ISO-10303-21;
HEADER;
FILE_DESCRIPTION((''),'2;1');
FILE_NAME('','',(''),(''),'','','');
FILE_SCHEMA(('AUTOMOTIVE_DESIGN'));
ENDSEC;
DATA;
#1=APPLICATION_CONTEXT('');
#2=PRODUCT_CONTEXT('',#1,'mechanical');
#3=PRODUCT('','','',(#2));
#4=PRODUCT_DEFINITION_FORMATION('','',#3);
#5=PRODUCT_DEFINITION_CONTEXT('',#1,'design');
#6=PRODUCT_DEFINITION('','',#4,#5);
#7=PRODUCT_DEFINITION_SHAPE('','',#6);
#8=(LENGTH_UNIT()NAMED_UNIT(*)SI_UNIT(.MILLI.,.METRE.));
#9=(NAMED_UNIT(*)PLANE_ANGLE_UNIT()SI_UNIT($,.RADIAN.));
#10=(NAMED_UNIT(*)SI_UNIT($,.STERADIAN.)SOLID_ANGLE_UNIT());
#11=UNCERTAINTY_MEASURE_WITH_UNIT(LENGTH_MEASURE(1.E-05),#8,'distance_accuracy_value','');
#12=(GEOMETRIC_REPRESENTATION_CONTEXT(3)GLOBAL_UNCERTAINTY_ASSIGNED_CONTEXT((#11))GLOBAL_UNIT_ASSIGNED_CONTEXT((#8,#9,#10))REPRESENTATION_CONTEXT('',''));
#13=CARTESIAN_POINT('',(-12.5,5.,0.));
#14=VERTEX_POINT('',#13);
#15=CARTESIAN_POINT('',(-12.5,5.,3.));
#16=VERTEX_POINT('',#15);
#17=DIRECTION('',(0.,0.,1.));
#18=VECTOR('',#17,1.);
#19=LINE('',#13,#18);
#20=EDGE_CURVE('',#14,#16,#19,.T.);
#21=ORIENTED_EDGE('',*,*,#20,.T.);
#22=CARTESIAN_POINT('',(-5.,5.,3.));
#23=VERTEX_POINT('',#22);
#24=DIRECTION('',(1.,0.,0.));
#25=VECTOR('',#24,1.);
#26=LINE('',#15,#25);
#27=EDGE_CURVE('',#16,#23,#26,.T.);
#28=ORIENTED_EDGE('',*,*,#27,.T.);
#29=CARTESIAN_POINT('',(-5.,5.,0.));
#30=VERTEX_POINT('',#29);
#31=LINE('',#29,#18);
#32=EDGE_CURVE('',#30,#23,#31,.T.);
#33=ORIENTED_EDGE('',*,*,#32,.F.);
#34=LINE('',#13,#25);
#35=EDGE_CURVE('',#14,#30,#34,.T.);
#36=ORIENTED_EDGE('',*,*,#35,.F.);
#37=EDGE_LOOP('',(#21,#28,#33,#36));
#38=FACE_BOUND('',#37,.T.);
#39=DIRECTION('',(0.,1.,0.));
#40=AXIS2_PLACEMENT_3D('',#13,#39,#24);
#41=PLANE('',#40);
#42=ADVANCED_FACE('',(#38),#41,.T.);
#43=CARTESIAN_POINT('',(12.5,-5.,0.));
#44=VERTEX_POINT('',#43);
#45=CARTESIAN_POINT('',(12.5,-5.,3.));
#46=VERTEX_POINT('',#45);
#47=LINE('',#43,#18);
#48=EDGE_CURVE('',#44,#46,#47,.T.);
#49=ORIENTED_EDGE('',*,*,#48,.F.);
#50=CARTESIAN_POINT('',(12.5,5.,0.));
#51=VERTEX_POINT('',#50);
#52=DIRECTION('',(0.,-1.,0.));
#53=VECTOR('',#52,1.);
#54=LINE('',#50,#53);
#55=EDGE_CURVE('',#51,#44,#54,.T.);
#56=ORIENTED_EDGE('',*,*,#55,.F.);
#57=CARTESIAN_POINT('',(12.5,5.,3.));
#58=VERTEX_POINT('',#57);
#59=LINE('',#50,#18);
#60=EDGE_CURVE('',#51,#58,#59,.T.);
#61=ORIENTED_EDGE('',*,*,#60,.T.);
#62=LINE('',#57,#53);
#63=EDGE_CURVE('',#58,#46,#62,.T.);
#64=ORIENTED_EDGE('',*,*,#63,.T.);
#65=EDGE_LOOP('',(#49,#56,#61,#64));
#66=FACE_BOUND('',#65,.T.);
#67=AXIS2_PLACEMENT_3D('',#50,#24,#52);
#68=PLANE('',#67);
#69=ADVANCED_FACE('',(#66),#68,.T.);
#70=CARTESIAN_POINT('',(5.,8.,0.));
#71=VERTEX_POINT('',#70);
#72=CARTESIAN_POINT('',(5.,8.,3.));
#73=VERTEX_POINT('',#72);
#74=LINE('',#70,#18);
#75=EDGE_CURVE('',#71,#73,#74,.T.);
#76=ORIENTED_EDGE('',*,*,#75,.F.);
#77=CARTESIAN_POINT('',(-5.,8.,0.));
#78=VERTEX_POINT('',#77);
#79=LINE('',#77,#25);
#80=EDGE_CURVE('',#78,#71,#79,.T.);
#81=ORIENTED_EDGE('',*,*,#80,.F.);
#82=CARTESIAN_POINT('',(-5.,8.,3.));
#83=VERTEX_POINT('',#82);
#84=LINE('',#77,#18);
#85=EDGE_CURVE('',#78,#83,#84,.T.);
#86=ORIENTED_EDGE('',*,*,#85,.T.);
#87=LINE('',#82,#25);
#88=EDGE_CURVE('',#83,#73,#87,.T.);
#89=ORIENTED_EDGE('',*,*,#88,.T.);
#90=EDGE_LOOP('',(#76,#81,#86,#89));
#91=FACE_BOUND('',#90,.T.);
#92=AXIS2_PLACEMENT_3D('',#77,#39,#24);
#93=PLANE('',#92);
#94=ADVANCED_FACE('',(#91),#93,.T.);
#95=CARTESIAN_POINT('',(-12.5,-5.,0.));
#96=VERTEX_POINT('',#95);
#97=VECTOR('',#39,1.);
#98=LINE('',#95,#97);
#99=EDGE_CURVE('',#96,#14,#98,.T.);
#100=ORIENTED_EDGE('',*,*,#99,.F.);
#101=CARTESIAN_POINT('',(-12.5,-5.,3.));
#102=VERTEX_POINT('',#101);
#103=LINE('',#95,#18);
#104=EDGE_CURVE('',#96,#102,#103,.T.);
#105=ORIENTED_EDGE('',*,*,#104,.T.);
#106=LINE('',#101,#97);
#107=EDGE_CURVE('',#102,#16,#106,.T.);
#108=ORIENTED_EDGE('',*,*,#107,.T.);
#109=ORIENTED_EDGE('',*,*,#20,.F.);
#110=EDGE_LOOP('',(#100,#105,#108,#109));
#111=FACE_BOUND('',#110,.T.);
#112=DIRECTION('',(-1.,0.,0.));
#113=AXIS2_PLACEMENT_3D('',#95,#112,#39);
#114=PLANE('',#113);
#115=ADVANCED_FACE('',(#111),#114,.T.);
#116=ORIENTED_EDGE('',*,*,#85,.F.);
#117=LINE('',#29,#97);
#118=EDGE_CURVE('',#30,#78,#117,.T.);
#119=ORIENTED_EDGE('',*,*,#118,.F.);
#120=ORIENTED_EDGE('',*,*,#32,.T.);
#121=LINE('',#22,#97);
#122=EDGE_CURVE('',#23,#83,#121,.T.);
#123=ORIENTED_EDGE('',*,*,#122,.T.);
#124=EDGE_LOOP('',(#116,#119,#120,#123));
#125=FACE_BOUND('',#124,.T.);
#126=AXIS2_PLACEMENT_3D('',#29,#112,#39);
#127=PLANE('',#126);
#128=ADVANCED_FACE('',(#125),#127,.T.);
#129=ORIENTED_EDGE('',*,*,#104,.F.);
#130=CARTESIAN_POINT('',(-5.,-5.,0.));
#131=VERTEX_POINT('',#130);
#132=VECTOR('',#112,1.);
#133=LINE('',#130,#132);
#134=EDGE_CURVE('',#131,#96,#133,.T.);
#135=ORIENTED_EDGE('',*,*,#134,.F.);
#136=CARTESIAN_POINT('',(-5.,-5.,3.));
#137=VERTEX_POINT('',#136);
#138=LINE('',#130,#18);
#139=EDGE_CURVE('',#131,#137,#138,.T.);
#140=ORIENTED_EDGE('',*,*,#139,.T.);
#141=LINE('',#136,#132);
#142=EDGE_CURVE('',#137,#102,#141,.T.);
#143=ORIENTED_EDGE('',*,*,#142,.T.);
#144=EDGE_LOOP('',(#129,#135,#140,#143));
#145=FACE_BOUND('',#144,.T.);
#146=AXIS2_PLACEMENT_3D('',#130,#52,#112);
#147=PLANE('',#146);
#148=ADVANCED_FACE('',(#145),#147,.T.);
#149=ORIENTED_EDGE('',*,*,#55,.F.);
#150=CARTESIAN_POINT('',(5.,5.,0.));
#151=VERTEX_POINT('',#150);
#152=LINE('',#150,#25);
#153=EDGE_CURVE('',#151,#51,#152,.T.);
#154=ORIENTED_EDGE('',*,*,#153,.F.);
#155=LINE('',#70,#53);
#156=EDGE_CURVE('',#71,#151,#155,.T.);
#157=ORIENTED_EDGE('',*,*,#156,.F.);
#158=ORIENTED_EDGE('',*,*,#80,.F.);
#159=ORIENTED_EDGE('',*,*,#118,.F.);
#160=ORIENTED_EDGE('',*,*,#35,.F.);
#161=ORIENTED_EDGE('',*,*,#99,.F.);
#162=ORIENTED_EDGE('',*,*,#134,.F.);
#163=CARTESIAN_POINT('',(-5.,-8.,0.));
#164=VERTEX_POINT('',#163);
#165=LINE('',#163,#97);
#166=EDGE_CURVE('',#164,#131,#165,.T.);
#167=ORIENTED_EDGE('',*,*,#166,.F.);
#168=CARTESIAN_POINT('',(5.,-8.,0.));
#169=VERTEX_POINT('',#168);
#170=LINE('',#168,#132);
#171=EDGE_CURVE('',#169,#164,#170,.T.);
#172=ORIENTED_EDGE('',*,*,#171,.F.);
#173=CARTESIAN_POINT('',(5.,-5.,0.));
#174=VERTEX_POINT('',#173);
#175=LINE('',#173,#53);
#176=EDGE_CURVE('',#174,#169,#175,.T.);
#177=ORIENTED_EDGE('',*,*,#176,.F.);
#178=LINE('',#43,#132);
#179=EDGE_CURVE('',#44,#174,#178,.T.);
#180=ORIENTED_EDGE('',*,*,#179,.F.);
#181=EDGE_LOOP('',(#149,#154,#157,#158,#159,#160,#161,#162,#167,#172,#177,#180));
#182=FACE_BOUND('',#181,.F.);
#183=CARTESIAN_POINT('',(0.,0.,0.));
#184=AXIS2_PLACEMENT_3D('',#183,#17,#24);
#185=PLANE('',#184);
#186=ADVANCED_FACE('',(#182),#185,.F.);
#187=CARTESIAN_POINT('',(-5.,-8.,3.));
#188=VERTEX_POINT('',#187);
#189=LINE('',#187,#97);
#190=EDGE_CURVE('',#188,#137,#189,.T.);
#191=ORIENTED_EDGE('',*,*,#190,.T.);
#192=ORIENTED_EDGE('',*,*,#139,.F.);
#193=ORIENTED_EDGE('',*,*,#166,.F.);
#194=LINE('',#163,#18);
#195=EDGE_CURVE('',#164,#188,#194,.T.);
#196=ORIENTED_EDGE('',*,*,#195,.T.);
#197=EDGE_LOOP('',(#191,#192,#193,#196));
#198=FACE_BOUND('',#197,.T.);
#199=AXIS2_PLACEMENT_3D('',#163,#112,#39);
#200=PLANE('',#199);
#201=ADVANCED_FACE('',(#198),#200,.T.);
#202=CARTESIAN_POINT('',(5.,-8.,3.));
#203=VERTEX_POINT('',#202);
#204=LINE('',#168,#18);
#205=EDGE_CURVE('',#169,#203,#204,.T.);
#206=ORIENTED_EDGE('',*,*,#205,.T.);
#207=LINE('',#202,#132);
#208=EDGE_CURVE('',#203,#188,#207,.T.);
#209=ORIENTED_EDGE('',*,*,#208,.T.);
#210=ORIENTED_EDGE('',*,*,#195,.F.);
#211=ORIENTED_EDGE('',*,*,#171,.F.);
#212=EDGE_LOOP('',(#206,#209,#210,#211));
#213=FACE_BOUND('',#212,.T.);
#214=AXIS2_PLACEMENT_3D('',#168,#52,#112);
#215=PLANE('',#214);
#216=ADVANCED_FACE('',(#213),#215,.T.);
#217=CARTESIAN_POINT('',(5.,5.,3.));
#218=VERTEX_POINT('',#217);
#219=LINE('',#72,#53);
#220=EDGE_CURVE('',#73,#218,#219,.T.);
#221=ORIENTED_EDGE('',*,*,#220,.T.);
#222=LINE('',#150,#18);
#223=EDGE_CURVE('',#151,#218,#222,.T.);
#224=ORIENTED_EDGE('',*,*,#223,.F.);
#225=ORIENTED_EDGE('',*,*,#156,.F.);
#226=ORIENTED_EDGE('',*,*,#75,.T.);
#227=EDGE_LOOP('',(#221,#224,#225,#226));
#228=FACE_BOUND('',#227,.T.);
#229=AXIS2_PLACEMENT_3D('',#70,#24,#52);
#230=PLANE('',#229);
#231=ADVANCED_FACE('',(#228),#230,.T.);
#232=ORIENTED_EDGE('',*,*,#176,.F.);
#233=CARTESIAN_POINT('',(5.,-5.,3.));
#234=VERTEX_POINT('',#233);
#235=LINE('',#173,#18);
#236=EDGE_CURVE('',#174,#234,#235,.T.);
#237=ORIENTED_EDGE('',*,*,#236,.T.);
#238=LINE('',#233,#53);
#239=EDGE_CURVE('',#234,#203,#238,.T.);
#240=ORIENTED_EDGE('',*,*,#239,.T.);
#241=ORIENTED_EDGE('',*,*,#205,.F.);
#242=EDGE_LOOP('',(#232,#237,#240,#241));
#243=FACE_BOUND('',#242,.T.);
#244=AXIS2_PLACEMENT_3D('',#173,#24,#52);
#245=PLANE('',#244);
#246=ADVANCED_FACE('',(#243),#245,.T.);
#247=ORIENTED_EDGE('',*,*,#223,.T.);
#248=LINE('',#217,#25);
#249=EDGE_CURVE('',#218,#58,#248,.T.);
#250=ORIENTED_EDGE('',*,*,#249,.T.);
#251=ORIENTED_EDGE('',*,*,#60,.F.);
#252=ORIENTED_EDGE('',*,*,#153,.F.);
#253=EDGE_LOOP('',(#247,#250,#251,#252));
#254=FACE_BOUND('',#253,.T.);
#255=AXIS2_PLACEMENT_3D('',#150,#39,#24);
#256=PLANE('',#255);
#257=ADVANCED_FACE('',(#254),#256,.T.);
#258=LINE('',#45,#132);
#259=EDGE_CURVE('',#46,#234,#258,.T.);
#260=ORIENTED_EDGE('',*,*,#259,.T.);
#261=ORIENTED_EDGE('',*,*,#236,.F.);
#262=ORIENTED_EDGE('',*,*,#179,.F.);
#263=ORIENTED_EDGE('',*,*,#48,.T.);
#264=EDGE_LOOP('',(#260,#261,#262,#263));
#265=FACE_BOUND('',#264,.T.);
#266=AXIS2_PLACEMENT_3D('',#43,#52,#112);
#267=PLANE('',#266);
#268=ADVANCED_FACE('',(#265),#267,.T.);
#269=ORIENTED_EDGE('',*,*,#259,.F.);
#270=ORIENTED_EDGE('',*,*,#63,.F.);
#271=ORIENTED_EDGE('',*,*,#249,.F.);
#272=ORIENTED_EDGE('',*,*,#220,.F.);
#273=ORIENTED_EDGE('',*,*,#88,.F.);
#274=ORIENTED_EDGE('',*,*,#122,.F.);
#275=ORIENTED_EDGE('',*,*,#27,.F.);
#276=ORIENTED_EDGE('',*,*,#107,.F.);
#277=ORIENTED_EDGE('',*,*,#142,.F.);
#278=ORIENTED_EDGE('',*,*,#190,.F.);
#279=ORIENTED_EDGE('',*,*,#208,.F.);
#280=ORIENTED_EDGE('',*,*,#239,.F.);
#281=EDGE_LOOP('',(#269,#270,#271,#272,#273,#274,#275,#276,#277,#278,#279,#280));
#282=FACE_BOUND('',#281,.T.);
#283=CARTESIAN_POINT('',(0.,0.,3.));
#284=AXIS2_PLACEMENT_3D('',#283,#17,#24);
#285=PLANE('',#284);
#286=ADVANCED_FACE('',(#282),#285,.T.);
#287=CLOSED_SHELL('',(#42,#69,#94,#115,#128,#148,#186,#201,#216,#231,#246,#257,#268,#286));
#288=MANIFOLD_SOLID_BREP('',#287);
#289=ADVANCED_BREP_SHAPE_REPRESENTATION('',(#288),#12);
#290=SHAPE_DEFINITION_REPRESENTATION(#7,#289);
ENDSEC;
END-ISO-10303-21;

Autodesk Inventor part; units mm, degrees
ref_plane "YZ Plane" through (0, 0, 0) normal (1, 0, 0) x (0, 1, 0)
ref_plane "XZ Plane" through (0, 0, 0) normal (0, 1, 0) x (-1, 0, 0)
ref_plane "XY Plane" through (0, 0, 0) normal (0, 0, 1) x (1, 0, 0)
sketch "Boceto1" plane through (0, 0, 0) normal (0, 0, 1) x (1, 0, 0)
  line L0 (-12.5, -5) -> (-12.5, 5)
  line L1 (-5, -5) -> (-12.5, -5)
  line L2 (-5, -8) -> (-5, -5)
  line L3 (5, -8) -> (-5, -8)
  line L4 (5, -5) -> (5, -8)
  line L5 (12.5, -5) -> (5, -5)
  line L6 (12.5, 5) -> (12.5, -5)
  line L7 (5, 5) -> (12.5, 5)
  line L8 (5, 8) -> (5, 5)
  line L9 (-5, 8) -> (5, 8)
  line L10 (-5, 5) -> (-5, 8)
  line L11 (-12.5, 5) -> (-5, 5)
  point P0 (0, 0)
  point P1 (12.5, -5)
  point P2 (5, 8)
extrude "Extrusión1" add sketch "Boceto1" along normal blind 3
properties part number "Case_Support" material "MDF Tablero de fibras de densidad media"
